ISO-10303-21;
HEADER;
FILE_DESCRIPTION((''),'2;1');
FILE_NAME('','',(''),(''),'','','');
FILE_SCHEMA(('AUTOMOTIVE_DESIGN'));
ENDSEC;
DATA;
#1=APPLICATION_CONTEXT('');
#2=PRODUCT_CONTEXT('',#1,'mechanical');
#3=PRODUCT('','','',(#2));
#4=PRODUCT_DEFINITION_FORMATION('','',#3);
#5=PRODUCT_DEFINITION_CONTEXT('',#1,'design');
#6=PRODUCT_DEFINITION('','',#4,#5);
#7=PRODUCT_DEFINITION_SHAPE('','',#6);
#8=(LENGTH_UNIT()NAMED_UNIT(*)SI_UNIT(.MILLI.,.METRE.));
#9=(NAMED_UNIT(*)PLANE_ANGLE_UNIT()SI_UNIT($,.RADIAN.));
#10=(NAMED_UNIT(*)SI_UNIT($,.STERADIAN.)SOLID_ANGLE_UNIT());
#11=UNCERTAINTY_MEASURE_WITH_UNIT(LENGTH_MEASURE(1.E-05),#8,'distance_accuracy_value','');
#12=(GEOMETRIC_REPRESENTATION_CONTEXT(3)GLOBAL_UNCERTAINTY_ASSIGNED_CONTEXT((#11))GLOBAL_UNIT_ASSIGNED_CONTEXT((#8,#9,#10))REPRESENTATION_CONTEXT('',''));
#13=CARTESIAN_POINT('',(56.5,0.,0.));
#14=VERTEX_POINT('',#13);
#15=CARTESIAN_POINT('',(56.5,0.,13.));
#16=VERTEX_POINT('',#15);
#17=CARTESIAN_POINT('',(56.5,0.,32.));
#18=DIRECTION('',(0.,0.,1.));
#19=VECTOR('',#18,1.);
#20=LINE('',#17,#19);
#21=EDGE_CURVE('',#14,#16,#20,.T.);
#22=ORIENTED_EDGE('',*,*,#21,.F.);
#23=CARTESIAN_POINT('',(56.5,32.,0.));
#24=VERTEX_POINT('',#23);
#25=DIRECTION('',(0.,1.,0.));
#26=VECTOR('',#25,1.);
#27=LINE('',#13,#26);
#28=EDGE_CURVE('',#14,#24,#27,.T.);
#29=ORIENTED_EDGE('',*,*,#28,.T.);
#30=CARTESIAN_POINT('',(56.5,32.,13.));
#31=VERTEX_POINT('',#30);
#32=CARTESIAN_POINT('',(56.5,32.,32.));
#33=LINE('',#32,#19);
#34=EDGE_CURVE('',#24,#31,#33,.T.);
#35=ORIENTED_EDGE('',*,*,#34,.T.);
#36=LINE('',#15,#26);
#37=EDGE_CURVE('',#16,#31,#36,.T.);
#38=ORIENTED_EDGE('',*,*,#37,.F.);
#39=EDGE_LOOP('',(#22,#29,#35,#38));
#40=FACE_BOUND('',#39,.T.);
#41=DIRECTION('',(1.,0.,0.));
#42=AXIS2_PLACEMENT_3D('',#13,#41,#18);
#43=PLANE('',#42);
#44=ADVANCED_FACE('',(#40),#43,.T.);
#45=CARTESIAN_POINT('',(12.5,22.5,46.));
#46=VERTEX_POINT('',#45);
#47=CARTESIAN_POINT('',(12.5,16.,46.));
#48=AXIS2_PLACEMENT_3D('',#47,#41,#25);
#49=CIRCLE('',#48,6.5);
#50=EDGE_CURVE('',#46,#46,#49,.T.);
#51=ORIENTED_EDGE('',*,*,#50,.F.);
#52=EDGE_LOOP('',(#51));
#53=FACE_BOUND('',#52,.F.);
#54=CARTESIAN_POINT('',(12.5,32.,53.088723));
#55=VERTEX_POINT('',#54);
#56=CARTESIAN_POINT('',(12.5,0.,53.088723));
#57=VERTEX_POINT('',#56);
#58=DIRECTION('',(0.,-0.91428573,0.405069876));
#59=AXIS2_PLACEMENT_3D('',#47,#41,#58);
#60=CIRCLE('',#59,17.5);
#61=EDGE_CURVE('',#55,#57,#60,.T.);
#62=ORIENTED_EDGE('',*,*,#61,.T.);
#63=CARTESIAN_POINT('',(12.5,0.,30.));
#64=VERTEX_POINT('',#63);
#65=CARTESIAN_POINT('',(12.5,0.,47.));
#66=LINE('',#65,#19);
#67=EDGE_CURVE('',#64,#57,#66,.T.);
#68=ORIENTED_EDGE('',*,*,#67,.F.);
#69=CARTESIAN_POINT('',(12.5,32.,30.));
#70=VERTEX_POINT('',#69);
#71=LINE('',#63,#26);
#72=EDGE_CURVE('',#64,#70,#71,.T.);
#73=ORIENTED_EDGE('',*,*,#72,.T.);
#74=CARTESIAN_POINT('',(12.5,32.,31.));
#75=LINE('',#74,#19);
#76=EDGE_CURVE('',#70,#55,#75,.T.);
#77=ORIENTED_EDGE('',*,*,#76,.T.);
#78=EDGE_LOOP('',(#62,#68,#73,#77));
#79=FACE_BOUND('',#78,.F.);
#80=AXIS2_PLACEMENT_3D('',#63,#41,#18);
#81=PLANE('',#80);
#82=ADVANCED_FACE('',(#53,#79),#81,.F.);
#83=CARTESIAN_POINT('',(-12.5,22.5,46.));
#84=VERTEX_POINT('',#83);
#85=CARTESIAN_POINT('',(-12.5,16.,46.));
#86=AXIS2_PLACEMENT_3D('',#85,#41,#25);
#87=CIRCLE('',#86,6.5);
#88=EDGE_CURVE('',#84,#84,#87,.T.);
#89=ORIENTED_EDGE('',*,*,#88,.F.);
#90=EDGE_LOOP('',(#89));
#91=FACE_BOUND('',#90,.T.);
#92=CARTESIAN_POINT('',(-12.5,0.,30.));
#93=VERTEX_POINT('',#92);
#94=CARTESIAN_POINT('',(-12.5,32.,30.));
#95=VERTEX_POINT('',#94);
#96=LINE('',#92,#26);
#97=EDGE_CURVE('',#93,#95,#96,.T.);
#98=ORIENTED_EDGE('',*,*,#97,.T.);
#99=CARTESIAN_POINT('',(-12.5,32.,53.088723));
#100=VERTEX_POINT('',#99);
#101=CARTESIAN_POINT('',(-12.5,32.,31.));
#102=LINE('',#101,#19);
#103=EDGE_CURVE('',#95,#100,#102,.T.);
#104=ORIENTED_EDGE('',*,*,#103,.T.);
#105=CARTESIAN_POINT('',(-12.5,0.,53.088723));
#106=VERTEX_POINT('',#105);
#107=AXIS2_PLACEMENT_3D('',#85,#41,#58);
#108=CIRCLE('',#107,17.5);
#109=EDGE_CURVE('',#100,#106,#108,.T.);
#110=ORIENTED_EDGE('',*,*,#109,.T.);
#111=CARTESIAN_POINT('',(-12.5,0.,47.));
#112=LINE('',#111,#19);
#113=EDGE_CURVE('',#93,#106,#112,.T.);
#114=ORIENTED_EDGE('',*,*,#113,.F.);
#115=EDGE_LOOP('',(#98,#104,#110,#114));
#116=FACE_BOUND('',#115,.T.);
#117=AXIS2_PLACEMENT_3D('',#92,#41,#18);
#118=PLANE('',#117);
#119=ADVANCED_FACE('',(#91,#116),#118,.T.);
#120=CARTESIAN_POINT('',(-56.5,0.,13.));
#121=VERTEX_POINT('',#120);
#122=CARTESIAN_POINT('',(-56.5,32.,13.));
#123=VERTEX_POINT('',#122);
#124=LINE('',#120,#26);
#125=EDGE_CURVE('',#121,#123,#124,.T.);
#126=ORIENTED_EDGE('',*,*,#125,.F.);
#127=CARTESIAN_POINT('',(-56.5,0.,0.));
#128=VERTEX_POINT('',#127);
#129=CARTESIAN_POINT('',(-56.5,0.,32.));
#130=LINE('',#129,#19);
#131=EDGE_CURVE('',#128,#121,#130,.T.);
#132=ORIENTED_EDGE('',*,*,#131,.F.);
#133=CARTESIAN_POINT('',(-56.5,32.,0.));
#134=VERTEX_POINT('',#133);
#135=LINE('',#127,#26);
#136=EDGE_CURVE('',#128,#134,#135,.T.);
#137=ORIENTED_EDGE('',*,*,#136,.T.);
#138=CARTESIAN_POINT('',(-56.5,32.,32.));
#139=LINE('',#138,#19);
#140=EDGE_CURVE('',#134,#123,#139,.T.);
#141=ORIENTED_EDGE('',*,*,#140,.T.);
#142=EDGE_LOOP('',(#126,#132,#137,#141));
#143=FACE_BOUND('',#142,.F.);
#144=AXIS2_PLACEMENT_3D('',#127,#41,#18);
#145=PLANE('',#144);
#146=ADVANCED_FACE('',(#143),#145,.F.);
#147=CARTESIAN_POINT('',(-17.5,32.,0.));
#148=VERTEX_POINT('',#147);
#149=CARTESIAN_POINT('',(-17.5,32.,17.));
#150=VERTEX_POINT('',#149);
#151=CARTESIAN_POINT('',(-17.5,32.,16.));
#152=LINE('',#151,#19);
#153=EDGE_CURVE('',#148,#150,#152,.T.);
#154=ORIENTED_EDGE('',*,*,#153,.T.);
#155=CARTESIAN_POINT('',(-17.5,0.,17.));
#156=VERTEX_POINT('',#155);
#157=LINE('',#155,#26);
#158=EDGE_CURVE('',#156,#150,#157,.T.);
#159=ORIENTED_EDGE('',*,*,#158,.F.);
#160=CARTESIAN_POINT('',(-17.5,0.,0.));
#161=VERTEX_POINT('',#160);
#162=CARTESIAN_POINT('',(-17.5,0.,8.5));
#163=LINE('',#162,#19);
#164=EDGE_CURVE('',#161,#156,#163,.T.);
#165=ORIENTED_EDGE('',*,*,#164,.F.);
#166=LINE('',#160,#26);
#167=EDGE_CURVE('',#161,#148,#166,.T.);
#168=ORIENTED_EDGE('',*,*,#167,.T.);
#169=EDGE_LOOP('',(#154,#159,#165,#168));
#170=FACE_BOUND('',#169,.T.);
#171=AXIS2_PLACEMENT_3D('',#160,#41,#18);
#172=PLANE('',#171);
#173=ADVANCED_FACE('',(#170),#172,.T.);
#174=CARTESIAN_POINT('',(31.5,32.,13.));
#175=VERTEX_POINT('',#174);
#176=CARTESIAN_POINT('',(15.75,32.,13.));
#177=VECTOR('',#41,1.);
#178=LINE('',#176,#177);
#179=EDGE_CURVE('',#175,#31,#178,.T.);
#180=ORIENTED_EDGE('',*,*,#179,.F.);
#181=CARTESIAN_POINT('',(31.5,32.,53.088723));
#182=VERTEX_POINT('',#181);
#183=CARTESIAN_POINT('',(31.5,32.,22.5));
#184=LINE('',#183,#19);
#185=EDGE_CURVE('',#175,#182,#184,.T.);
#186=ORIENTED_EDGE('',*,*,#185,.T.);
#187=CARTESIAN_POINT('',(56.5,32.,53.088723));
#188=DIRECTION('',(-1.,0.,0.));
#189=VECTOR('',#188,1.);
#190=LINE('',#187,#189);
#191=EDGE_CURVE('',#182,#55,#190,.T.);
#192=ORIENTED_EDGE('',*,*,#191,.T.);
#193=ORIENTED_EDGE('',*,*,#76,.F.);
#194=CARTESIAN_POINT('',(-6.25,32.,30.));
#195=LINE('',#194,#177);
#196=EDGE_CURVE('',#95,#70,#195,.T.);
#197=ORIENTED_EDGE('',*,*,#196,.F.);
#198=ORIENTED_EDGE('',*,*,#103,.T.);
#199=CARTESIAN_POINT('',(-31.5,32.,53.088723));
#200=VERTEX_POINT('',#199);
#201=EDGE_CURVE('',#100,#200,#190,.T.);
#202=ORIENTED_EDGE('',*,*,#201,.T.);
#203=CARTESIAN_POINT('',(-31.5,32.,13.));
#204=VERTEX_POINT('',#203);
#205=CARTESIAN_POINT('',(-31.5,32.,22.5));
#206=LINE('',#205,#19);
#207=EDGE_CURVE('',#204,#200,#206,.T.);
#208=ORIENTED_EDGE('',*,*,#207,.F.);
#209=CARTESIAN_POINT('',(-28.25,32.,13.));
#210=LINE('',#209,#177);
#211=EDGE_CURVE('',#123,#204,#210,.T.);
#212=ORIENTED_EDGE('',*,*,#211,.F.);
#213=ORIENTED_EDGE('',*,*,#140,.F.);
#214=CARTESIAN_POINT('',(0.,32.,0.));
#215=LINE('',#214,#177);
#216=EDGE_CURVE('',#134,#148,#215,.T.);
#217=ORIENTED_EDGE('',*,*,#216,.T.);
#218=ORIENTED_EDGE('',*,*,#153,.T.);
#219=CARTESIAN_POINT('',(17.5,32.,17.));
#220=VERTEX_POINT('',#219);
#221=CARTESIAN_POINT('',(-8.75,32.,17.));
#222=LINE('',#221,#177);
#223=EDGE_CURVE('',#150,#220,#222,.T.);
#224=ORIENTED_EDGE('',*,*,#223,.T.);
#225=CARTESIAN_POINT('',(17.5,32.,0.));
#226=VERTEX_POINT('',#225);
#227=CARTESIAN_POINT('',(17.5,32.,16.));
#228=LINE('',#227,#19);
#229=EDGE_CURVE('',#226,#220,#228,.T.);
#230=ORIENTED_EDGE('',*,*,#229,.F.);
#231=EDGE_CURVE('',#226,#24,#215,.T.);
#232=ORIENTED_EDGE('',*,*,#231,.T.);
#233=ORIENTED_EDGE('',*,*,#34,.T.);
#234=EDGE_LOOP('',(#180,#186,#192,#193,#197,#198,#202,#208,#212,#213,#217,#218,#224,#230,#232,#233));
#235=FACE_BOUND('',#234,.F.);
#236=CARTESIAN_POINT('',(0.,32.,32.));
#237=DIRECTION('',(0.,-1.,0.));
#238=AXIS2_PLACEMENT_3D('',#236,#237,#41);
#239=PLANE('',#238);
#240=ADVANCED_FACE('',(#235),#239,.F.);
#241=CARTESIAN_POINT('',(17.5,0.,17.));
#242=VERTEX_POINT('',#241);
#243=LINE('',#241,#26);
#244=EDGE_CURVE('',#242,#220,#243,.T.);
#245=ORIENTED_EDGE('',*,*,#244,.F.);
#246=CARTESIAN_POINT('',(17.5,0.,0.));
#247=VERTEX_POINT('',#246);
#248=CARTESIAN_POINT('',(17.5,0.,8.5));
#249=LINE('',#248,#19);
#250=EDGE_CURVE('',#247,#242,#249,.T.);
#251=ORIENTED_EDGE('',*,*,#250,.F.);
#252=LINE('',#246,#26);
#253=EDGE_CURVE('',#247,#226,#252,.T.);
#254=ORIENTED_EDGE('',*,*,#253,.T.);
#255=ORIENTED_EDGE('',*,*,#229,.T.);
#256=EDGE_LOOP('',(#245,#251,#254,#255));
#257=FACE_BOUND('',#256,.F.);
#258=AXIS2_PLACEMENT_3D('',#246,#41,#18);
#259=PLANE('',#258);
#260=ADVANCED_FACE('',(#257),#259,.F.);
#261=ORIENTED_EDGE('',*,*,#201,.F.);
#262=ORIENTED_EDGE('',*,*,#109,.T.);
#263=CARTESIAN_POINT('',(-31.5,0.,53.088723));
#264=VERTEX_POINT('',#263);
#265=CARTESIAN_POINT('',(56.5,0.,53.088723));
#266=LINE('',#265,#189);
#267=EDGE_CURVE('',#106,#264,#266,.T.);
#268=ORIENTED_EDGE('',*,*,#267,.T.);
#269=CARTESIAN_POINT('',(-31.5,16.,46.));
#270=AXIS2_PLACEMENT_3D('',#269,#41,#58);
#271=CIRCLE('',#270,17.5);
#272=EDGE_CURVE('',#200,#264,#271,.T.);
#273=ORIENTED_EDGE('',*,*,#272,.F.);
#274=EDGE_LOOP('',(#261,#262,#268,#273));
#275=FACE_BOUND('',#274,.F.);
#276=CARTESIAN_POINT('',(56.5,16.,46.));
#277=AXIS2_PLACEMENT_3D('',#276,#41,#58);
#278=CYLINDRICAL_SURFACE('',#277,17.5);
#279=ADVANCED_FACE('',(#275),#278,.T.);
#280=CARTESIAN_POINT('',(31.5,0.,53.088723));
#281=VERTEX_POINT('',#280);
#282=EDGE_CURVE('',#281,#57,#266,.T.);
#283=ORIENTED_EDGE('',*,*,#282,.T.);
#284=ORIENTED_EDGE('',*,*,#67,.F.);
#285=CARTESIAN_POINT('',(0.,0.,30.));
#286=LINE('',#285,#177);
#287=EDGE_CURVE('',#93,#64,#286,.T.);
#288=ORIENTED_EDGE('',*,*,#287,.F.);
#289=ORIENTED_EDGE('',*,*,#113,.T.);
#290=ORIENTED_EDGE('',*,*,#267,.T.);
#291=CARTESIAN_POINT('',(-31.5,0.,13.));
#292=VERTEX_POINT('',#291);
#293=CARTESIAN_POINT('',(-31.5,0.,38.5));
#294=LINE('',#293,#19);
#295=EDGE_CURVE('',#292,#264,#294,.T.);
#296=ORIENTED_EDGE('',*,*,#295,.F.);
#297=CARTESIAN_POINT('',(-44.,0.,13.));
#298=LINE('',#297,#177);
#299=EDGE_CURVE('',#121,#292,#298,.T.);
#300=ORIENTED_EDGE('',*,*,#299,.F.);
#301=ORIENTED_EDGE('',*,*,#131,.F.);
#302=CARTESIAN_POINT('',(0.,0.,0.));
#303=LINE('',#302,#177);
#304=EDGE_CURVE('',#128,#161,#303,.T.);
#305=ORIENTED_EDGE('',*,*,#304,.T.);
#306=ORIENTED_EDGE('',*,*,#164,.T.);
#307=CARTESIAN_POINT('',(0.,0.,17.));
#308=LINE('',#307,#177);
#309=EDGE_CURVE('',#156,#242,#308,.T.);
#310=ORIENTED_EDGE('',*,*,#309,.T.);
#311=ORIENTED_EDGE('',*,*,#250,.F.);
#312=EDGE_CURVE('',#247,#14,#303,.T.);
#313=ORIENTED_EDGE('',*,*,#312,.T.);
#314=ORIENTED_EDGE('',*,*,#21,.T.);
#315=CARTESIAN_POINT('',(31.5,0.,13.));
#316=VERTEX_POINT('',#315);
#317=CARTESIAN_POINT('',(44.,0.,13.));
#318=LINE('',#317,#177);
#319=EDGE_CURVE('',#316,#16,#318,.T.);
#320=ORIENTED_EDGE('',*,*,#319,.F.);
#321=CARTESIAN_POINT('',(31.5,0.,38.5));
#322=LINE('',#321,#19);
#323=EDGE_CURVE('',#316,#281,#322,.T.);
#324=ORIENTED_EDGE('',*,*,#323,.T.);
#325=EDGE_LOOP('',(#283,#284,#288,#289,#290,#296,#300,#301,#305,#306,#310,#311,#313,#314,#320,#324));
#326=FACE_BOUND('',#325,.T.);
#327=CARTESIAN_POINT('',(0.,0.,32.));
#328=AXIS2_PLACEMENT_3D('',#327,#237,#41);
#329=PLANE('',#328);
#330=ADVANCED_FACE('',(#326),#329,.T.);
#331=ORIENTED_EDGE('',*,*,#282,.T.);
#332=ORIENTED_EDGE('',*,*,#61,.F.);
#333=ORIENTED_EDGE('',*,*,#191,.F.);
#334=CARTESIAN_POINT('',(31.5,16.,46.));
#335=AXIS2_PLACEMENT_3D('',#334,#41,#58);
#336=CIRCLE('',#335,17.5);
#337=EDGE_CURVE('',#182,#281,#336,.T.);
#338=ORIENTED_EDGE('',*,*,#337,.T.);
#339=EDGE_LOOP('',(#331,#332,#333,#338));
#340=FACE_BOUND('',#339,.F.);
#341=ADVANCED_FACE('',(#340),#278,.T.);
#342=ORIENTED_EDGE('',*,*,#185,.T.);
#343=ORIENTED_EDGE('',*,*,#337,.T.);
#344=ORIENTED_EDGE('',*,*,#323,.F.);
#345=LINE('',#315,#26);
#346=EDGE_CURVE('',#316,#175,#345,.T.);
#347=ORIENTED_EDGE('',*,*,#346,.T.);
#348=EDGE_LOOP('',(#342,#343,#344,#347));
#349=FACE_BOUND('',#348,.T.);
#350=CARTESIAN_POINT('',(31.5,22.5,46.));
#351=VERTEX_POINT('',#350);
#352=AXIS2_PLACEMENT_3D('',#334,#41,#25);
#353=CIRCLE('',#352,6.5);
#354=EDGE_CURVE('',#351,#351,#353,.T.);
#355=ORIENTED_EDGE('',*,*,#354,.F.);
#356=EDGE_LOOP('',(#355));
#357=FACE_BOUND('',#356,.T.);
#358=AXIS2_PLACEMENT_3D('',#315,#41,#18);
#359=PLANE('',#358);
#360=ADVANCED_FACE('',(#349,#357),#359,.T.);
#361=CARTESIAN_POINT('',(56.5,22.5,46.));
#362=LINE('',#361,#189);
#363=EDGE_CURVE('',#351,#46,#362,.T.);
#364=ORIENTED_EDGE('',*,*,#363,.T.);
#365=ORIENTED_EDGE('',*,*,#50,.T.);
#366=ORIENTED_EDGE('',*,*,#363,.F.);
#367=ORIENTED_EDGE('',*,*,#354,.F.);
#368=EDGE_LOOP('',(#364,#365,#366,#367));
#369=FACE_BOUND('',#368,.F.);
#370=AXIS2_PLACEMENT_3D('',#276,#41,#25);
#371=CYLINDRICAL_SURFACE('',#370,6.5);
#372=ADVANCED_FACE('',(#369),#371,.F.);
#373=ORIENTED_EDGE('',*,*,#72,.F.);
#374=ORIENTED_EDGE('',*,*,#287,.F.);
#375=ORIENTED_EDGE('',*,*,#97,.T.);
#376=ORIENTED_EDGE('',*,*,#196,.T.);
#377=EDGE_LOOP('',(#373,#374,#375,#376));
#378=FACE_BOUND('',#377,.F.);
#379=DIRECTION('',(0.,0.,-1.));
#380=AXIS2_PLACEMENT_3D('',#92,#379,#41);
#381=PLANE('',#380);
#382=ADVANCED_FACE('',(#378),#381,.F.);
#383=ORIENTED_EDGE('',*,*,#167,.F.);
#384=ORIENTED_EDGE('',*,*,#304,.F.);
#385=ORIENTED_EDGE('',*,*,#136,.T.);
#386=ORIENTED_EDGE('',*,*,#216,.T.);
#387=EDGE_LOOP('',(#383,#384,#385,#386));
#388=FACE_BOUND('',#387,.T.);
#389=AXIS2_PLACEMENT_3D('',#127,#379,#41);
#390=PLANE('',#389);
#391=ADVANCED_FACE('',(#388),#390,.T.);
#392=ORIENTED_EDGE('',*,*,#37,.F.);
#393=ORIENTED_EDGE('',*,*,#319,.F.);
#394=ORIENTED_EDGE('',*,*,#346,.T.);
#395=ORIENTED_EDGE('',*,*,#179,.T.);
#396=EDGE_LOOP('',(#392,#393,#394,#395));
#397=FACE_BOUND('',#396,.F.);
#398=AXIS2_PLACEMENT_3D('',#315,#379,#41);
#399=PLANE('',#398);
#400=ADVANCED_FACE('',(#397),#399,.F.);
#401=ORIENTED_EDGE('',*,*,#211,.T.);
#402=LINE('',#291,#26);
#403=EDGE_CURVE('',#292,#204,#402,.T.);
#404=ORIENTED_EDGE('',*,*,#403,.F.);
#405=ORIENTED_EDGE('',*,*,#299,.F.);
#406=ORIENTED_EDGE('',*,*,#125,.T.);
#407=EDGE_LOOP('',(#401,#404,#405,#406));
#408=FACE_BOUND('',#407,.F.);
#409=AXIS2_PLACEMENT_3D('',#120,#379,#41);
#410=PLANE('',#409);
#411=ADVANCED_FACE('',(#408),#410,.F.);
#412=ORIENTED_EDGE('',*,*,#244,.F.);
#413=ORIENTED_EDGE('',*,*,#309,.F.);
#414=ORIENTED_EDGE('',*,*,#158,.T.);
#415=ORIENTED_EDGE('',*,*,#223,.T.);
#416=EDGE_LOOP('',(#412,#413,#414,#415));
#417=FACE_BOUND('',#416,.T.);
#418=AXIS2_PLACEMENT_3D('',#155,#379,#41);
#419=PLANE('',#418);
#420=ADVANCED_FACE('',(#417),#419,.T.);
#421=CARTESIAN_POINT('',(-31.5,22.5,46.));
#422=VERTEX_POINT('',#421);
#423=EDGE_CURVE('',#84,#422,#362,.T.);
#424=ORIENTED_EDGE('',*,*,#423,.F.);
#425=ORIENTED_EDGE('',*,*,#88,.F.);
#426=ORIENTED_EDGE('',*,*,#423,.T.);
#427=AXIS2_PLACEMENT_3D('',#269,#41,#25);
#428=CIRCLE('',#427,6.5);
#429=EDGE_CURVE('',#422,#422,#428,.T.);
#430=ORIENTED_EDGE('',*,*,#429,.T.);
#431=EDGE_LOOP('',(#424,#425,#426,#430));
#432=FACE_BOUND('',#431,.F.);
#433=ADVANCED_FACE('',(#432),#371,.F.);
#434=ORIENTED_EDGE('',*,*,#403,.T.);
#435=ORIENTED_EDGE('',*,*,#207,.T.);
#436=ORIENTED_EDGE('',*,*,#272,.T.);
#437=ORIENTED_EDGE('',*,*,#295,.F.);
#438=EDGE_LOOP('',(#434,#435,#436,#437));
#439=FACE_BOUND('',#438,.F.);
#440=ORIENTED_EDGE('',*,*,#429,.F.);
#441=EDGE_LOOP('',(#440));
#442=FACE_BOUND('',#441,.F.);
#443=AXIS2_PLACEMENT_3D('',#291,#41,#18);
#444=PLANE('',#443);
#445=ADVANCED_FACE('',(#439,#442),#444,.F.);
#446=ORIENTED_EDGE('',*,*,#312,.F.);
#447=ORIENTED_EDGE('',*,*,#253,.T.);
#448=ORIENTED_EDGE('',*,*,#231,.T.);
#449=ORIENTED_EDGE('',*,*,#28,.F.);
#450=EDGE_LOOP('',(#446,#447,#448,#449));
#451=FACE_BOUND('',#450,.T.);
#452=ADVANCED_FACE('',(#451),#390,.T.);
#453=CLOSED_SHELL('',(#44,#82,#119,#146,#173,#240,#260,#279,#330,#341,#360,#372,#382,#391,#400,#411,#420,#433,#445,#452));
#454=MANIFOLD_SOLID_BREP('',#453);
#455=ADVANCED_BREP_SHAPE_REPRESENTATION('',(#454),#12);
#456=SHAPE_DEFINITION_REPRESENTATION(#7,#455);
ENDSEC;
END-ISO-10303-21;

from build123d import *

# Parameters (mm, degrees)
F0_W     = 113
F0_H     = 64
F1_DEPTH = 32
F2_R     = 6.5
F3_DEPTH = 113.001
F4_W     = 35
F4_H     = 17
F4_W_2   = 25
F4_H_2   = 51
F4_H_3   = 34
F5_DEPTH = 32.001


with BuildPart() as f1:
    # F0 (on Front) → F1 (new body)
    with BuildSketch(Plane.XZ):
        with Locations((0, 32)):
            Rectangle(F0_W, F0_H)
    extrude(amount=-F1_DEPTH)

    # F2 (on face) → F3 (cut, through all)
    with BuildSketch(Plane.YZ.offset(56.5)):
        with Locations((16, 46)):
            Circle(F2_R)
        with BuildLine():
            Line((0, 64), (0, 53.088723))
            ThreePointArc((0, 53.088723), (16, 63.5), (32, 53.088723))
            Line((32, 53.088723), (32, 64))
            Line((32, 64), (0, 64))
        make_face()
    extrude(amount=-F3_DEPTH, mode=Mode.SUBTRACT)

    # F4 (on Front) → F5 (cut, through all)
    with BuildSketch(Plane.XZ):
        with Locations((0, 8.5)):
            Rectangle(F4_W, F4_H)
        with Locations((-44, 38.5)):
            Rectangle(F4_W_2, F4_H_2)
        with Locations((44, 38.5)):
            Rectangle(F4_W_2, F4_H_2)
        with Locations((0, 47)):
            Rectangle(F4_W_2, F4_H_3)
    extrude(amount=-F5_DEPTH, mode=Mode.SUBTRACT)


solid = f1.part
